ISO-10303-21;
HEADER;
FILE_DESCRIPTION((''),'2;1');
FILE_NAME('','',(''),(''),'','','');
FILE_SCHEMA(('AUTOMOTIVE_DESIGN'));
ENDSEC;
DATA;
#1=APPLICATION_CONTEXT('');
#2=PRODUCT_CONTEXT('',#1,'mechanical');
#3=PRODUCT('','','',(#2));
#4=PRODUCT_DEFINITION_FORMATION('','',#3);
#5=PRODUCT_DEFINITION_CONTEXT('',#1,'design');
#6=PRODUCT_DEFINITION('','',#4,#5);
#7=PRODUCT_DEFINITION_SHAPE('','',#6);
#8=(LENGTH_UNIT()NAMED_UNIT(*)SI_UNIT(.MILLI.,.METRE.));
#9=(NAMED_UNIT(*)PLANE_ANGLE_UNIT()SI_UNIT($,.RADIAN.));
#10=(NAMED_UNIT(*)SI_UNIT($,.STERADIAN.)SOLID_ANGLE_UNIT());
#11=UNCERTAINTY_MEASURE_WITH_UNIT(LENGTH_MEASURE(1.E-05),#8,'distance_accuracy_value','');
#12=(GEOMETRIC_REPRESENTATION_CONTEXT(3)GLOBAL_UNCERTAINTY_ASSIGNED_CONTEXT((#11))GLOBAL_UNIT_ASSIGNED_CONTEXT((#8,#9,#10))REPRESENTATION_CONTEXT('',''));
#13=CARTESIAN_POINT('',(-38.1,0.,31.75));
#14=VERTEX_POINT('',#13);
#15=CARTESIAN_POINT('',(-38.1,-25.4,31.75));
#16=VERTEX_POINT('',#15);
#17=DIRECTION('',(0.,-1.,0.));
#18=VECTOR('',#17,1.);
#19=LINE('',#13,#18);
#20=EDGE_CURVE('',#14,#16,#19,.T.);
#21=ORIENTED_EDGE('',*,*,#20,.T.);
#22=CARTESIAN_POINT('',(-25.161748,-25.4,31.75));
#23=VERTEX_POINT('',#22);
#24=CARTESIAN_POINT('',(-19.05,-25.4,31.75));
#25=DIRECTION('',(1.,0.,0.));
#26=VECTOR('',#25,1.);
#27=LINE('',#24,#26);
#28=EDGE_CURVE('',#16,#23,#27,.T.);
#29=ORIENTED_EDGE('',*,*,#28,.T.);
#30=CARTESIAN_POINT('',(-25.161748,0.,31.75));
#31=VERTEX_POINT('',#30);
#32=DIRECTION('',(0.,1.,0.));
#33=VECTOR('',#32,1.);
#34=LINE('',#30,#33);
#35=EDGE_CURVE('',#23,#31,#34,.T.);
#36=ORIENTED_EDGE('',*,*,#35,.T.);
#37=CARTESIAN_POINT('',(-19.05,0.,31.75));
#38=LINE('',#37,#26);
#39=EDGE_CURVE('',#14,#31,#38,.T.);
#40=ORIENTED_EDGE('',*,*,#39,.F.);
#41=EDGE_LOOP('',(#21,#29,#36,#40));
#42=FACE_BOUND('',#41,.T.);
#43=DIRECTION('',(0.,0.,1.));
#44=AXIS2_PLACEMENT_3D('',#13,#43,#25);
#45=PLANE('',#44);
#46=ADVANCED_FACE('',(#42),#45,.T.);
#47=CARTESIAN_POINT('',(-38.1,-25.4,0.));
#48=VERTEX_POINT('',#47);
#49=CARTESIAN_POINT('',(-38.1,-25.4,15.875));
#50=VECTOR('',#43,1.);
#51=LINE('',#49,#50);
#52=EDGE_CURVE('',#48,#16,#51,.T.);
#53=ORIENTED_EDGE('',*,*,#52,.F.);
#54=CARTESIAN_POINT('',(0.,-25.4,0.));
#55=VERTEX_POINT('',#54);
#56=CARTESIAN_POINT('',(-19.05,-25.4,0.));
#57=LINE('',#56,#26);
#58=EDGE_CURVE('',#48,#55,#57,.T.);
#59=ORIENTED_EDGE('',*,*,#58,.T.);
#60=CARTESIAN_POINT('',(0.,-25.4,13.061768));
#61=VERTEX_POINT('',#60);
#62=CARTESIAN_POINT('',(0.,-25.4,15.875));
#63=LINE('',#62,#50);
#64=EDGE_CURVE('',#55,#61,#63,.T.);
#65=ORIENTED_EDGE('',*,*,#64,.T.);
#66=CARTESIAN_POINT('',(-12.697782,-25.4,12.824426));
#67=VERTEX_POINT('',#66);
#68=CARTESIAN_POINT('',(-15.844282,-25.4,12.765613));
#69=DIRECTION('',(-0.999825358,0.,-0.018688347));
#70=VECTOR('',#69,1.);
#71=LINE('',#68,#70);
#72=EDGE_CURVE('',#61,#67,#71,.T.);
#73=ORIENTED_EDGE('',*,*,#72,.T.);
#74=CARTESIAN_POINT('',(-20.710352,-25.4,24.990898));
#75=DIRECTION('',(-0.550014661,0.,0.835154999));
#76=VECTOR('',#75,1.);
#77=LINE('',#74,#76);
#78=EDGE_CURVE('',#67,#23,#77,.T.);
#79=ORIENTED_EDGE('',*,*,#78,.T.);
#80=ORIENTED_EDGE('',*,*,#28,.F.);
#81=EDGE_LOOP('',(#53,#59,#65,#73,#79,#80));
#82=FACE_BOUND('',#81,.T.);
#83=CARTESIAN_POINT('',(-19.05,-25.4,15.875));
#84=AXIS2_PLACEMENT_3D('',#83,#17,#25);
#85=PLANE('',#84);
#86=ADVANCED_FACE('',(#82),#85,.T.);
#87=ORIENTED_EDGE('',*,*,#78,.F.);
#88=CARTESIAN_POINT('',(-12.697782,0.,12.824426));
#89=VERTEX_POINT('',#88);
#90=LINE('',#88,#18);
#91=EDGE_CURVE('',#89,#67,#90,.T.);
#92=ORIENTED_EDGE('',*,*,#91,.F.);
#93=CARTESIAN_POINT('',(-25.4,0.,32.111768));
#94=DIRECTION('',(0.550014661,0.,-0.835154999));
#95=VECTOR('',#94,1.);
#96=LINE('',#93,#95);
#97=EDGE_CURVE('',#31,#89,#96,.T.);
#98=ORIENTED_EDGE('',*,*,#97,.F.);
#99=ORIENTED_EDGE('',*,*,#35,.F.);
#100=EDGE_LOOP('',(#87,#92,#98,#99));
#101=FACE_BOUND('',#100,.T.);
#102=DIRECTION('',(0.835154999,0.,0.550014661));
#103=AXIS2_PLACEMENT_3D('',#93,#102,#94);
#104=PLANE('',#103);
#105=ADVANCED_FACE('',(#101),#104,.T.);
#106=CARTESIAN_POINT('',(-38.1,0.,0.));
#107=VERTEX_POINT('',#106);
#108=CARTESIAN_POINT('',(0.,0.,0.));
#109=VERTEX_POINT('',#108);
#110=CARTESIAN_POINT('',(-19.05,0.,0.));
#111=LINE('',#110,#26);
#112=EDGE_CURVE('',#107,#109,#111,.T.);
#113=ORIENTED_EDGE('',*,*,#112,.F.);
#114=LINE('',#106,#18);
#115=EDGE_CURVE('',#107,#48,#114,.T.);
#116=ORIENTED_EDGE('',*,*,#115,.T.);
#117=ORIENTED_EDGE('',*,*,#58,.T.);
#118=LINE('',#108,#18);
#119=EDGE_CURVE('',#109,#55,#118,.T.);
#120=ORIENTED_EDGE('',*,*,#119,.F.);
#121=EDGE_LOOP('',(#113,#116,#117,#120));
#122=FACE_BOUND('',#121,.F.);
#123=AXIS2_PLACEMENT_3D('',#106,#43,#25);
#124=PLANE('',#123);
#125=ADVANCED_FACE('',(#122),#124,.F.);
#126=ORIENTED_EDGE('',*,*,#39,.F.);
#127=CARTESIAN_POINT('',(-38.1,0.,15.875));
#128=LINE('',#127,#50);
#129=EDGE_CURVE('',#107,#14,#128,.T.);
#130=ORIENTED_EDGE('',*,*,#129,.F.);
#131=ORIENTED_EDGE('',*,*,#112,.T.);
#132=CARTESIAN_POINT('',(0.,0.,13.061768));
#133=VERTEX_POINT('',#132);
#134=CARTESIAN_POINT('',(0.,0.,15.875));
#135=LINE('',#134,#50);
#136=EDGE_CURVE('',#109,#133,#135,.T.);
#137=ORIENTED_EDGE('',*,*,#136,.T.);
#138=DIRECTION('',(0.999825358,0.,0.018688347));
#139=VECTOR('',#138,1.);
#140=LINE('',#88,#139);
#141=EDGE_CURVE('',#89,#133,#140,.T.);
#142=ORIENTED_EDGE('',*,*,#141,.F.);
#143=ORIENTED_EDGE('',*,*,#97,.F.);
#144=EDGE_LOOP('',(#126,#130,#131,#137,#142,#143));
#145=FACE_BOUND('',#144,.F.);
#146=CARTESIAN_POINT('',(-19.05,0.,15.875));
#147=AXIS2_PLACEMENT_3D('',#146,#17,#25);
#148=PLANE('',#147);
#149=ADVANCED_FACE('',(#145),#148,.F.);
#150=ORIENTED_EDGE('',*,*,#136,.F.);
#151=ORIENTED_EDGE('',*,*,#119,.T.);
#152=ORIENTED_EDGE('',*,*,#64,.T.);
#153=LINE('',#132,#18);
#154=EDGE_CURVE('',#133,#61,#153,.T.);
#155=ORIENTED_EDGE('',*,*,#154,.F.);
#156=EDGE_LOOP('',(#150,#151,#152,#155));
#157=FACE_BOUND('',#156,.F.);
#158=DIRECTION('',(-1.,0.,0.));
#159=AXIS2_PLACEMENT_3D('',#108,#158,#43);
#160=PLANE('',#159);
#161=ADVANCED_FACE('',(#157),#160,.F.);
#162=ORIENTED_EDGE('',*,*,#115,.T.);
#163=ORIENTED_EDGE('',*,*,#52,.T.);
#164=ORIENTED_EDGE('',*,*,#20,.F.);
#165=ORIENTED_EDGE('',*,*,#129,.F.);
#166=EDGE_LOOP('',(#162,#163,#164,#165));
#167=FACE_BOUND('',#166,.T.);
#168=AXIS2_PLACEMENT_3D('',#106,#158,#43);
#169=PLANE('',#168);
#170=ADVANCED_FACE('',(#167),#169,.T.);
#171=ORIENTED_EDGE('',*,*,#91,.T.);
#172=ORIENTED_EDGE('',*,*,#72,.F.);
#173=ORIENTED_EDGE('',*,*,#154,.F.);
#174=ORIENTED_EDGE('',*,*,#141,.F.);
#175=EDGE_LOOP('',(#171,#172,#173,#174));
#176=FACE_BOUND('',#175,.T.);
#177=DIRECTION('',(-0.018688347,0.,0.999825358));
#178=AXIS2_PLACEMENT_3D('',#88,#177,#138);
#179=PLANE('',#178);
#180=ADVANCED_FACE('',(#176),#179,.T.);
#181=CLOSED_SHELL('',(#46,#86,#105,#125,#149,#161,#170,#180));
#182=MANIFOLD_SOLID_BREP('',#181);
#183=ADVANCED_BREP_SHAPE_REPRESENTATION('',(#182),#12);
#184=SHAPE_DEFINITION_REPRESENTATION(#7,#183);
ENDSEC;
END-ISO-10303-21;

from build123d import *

# Parameters (mm, degrees)
F0_W     = 38.1
F0_H     = 31.75
F1_DEPTH = 25.4
F3_DEPTH = 25.401


with BuildPart() as f1:
    # F0 (on Front) → F1 (new body)
    with BuildSketch(Plane.XZ):
        with Locations((-19.05, 15.875)):
            Rectangle(F0_W, F0_H)
    extrude(amount=F1_DEPTH)

    # F2 (on Front) → F3 (cut, through all)
    with BuildSketch(Plane.XZ):
        Polygon((-12.697782, 12.824426), (0, 13.061768), (0, 32.111768), (-25.4, 32.111768), align=None)
    extrude(amount=F3_DEPTH, mode=Mode.SUBTRACT)


solid = f1.part
